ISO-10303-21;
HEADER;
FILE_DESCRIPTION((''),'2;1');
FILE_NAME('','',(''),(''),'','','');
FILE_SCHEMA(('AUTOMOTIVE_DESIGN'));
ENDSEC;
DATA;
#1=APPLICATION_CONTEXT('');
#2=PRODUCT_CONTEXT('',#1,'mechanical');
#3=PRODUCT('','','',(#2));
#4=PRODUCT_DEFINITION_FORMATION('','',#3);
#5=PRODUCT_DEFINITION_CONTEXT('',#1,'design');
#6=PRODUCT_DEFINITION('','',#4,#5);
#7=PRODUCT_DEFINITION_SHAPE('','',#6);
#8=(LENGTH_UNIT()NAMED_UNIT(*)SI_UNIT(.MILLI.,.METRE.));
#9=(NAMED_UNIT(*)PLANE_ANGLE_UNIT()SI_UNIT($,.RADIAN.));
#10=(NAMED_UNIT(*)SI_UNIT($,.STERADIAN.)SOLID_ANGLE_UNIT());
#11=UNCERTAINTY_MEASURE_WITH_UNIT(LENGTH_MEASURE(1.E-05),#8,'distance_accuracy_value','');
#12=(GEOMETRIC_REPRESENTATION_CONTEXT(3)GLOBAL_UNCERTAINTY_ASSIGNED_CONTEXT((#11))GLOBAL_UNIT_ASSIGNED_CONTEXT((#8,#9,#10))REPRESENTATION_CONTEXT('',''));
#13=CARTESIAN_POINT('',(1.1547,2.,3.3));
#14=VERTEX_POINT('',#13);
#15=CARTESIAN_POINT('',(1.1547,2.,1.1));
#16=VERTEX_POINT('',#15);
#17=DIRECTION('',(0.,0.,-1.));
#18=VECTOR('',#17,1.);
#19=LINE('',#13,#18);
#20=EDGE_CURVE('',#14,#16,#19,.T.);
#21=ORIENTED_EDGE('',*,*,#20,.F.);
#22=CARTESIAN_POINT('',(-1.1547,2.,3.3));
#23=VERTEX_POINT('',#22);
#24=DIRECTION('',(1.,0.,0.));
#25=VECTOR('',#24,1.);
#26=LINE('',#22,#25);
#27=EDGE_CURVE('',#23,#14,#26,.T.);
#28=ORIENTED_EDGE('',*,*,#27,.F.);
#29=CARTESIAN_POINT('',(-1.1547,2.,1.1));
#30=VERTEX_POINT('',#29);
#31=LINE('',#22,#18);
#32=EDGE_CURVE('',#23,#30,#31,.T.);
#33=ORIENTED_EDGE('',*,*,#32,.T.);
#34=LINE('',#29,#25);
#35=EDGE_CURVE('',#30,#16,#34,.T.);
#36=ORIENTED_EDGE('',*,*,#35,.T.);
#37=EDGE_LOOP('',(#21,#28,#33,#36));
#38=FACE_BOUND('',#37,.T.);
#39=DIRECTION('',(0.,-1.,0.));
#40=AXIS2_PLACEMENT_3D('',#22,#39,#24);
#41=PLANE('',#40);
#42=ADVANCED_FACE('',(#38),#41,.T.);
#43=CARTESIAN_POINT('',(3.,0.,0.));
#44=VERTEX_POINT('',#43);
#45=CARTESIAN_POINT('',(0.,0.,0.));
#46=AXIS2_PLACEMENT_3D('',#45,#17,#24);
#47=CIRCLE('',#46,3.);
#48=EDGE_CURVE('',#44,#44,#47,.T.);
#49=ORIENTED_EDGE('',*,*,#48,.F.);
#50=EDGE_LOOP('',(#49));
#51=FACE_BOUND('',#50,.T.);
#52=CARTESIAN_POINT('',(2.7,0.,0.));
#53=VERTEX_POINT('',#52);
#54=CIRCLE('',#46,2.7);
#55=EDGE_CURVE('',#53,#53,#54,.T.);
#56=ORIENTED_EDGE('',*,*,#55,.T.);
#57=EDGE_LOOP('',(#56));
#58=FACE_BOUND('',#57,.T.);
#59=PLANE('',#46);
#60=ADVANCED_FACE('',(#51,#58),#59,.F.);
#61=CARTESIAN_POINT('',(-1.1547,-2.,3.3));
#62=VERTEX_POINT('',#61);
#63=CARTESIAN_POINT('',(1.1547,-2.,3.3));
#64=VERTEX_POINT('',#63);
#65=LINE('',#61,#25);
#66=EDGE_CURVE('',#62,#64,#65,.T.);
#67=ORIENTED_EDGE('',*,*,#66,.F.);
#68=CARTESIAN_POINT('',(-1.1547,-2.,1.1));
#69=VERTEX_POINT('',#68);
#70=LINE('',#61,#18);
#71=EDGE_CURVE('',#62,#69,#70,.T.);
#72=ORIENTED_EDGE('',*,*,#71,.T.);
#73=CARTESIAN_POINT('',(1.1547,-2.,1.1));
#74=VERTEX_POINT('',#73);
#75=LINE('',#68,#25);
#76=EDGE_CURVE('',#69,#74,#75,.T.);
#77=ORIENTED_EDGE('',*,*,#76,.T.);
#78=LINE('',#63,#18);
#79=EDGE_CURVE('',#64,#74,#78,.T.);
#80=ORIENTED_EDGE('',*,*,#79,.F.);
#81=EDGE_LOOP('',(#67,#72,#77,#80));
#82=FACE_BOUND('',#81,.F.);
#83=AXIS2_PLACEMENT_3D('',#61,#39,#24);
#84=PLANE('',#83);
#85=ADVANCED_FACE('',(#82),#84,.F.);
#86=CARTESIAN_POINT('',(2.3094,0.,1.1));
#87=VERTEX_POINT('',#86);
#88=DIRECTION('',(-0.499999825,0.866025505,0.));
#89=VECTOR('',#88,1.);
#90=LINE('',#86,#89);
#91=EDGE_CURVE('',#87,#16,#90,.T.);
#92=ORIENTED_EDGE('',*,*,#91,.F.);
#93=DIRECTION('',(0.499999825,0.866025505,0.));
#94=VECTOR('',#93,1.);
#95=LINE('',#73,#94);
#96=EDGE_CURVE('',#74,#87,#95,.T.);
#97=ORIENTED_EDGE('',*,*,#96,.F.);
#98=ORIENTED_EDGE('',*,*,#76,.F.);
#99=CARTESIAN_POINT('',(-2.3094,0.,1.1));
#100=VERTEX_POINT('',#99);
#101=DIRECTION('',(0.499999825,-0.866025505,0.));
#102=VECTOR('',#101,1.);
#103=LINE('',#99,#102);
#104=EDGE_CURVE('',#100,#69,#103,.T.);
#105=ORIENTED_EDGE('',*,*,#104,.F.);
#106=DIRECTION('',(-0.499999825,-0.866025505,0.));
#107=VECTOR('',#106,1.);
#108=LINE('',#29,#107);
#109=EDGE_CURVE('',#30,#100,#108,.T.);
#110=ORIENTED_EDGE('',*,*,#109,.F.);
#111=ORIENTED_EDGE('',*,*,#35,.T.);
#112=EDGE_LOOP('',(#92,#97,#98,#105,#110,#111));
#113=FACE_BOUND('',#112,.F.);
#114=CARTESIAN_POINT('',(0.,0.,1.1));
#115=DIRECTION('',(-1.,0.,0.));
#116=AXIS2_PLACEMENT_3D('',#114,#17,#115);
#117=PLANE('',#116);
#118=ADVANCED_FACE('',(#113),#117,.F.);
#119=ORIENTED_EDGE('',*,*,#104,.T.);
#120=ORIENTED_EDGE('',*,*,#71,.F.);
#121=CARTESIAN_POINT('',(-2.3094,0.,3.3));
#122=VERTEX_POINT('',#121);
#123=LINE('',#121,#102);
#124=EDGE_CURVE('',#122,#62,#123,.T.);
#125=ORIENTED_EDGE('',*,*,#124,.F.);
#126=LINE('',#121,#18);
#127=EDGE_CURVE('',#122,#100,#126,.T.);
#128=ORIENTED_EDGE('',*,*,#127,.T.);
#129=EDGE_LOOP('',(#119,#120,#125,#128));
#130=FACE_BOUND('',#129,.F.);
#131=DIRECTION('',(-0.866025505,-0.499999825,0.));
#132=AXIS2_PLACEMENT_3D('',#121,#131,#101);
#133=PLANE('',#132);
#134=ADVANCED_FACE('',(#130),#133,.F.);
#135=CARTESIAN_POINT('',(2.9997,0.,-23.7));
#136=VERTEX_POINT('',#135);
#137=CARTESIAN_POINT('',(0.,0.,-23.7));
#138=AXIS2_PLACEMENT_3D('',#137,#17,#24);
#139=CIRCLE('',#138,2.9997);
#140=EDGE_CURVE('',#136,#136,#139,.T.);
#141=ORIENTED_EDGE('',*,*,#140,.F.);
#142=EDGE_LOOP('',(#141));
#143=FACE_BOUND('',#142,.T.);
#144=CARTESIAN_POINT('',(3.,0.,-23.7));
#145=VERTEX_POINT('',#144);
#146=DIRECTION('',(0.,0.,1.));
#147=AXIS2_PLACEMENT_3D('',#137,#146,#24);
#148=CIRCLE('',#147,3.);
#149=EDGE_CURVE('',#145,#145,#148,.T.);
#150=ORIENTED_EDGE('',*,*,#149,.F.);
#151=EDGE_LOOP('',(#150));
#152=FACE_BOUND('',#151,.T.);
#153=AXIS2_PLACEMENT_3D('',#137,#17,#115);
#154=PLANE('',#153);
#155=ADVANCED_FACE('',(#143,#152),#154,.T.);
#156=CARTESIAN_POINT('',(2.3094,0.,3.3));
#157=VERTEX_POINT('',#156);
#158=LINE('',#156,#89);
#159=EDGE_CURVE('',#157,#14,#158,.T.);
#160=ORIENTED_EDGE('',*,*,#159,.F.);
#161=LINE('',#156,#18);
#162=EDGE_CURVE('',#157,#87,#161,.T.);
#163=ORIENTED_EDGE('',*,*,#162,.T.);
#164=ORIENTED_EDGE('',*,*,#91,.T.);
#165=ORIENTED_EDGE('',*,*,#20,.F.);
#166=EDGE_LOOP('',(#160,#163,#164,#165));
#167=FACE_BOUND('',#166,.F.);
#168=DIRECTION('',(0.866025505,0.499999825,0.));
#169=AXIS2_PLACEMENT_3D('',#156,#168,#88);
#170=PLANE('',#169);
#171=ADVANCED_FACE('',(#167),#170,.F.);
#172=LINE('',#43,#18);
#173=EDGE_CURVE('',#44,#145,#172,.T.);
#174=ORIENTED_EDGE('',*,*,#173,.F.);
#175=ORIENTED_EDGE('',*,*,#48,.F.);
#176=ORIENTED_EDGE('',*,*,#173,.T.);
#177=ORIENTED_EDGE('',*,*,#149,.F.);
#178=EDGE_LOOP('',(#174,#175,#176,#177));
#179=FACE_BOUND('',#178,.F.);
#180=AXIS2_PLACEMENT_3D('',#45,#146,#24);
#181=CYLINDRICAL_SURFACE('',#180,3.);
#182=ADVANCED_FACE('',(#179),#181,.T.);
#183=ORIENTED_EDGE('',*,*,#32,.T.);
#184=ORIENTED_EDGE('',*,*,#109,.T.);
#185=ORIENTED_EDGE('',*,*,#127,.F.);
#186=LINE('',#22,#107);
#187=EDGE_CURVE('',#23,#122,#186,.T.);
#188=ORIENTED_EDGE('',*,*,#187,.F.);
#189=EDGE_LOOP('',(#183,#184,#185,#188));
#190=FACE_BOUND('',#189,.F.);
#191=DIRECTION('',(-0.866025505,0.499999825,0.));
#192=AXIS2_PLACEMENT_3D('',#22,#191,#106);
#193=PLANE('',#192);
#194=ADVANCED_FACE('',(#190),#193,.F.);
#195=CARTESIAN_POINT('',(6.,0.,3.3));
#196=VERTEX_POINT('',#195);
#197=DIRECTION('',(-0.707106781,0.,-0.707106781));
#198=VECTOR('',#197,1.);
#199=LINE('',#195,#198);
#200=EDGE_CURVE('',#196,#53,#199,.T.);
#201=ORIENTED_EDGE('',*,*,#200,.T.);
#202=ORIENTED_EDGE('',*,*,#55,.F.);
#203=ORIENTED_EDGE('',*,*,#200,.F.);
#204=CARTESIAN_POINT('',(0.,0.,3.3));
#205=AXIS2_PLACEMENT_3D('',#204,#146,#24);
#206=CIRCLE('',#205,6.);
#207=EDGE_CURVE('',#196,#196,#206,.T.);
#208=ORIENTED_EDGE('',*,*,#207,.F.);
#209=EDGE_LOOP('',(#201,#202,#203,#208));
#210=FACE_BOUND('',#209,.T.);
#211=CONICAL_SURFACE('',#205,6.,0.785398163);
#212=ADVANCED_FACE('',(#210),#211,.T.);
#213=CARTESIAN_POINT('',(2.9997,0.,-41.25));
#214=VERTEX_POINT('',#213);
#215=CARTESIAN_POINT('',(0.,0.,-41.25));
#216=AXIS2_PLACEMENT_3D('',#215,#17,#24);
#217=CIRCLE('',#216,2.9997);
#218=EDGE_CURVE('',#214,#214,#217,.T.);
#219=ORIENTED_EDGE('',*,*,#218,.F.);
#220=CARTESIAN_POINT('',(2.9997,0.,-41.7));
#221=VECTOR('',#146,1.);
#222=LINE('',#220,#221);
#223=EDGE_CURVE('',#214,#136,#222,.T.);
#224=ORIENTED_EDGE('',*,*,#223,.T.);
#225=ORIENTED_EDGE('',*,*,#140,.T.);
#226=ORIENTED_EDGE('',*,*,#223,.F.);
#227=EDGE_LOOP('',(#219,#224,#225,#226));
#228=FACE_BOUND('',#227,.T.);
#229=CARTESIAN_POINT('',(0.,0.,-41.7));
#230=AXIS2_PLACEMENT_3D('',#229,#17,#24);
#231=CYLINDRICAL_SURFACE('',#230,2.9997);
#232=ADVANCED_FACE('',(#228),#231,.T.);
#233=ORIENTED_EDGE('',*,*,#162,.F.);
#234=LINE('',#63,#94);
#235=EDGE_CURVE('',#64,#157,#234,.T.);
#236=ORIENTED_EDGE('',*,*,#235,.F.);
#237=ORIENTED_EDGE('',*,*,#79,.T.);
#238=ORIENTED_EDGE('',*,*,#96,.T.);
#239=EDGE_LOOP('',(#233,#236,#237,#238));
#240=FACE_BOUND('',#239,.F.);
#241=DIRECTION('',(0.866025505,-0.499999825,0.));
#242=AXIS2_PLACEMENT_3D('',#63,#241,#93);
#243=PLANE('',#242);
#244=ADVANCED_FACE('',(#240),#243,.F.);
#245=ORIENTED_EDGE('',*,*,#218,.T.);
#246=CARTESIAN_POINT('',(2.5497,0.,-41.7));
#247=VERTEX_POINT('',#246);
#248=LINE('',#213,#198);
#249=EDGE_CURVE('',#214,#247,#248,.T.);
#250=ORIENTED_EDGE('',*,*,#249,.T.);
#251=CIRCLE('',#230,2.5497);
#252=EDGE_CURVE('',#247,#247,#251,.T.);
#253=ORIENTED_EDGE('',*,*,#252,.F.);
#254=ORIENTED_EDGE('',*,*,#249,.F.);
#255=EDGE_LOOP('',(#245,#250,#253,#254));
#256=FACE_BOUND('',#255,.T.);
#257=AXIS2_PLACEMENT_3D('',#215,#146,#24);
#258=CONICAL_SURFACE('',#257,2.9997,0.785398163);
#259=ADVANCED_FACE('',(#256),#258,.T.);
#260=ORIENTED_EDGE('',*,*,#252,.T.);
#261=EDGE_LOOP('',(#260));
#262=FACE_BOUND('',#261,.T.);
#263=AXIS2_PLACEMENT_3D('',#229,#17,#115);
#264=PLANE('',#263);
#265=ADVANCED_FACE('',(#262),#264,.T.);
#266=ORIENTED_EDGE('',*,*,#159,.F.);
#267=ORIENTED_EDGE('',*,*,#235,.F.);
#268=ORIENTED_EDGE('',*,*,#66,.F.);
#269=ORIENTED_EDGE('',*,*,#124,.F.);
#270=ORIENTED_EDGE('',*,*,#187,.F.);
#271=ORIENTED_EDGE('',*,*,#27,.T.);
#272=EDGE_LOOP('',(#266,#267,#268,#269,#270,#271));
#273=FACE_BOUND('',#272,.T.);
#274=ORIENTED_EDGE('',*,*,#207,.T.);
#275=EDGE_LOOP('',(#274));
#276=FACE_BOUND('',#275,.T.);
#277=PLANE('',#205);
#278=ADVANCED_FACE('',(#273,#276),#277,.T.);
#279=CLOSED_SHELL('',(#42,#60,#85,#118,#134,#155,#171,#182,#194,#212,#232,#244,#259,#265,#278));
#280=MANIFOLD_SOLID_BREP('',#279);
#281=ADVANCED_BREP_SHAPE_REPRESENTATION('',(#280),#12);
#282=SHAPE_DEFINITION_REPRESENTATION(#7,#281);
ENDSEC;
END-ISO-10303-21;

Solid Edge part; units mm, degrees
sketch "Sketch1" plane through (0, 0, 0) normal (0, 0, 1) x (1, 0, 0)
  circle A0 centre (0, 0) radius 6
  dimension "D1" = 12
extrude "Protrusion1" add sketch "Sketch1" along normal blind 3.3
sketch "Sketch2" plane through (0, 0, 0) normal (0, 0, -1) x (1, 0, 0)
  circle A0 centre (0, 0) radius 3
extrude "Protrusion2" add sketch "Sketch2" along normal blind 41.7
sketch "Sketch3" plane through (0, 0, -41.7) normal (0, 0, -1) x (1, 0, 0)
  circle A0 centre (0, 0) radius 2.9997
extrude "Cutout1" cut sketch "Sketch3" against normal blind 18 flip side to cut
chamfer "Chamfer_1" distance 0.45 angle 45 1 edges at (-2.9997, 0, -41.7)
sketch "Sketch4" plane through (0, 0, 3.3) normal (0, 0, 1) x (1, 0, 0)
  line L0 (-1.1547, 2) -> (1.1547, 2)
  line L1 (2.3094, 0) -> (1.1547, 2)
  line L2 (1.1547, -2) -> (2.3094, 0)
  line L3 (-1.1547, -2) -> (1.1547, -2)
  line L4 (-2.3094, 0) -> (-1.1547, -2)
  line L5 (-1.1547, 2) -> (-2.3094, 0)
  dimension "D1" = 4
extrude "Cutout2" cut sketch "Sketch4" against normal blind 2.2
sketch "Sketch5" plane through (0, 0, 0) normal (0, -1, 0) x (1, 0, 0)
  line L0 (6, 3.3) -> (2.7, 0)
  line L1 (2.7, 0) -> (6, 0)
  line L2 (6, 0) -> (6, 3.3)
revolve "RevolvedCutout1" cut sketch "Sketch5" angle 360 about axis through (0, 0, 14.0017) along (0, 0, -1)
properties part number "185765"
